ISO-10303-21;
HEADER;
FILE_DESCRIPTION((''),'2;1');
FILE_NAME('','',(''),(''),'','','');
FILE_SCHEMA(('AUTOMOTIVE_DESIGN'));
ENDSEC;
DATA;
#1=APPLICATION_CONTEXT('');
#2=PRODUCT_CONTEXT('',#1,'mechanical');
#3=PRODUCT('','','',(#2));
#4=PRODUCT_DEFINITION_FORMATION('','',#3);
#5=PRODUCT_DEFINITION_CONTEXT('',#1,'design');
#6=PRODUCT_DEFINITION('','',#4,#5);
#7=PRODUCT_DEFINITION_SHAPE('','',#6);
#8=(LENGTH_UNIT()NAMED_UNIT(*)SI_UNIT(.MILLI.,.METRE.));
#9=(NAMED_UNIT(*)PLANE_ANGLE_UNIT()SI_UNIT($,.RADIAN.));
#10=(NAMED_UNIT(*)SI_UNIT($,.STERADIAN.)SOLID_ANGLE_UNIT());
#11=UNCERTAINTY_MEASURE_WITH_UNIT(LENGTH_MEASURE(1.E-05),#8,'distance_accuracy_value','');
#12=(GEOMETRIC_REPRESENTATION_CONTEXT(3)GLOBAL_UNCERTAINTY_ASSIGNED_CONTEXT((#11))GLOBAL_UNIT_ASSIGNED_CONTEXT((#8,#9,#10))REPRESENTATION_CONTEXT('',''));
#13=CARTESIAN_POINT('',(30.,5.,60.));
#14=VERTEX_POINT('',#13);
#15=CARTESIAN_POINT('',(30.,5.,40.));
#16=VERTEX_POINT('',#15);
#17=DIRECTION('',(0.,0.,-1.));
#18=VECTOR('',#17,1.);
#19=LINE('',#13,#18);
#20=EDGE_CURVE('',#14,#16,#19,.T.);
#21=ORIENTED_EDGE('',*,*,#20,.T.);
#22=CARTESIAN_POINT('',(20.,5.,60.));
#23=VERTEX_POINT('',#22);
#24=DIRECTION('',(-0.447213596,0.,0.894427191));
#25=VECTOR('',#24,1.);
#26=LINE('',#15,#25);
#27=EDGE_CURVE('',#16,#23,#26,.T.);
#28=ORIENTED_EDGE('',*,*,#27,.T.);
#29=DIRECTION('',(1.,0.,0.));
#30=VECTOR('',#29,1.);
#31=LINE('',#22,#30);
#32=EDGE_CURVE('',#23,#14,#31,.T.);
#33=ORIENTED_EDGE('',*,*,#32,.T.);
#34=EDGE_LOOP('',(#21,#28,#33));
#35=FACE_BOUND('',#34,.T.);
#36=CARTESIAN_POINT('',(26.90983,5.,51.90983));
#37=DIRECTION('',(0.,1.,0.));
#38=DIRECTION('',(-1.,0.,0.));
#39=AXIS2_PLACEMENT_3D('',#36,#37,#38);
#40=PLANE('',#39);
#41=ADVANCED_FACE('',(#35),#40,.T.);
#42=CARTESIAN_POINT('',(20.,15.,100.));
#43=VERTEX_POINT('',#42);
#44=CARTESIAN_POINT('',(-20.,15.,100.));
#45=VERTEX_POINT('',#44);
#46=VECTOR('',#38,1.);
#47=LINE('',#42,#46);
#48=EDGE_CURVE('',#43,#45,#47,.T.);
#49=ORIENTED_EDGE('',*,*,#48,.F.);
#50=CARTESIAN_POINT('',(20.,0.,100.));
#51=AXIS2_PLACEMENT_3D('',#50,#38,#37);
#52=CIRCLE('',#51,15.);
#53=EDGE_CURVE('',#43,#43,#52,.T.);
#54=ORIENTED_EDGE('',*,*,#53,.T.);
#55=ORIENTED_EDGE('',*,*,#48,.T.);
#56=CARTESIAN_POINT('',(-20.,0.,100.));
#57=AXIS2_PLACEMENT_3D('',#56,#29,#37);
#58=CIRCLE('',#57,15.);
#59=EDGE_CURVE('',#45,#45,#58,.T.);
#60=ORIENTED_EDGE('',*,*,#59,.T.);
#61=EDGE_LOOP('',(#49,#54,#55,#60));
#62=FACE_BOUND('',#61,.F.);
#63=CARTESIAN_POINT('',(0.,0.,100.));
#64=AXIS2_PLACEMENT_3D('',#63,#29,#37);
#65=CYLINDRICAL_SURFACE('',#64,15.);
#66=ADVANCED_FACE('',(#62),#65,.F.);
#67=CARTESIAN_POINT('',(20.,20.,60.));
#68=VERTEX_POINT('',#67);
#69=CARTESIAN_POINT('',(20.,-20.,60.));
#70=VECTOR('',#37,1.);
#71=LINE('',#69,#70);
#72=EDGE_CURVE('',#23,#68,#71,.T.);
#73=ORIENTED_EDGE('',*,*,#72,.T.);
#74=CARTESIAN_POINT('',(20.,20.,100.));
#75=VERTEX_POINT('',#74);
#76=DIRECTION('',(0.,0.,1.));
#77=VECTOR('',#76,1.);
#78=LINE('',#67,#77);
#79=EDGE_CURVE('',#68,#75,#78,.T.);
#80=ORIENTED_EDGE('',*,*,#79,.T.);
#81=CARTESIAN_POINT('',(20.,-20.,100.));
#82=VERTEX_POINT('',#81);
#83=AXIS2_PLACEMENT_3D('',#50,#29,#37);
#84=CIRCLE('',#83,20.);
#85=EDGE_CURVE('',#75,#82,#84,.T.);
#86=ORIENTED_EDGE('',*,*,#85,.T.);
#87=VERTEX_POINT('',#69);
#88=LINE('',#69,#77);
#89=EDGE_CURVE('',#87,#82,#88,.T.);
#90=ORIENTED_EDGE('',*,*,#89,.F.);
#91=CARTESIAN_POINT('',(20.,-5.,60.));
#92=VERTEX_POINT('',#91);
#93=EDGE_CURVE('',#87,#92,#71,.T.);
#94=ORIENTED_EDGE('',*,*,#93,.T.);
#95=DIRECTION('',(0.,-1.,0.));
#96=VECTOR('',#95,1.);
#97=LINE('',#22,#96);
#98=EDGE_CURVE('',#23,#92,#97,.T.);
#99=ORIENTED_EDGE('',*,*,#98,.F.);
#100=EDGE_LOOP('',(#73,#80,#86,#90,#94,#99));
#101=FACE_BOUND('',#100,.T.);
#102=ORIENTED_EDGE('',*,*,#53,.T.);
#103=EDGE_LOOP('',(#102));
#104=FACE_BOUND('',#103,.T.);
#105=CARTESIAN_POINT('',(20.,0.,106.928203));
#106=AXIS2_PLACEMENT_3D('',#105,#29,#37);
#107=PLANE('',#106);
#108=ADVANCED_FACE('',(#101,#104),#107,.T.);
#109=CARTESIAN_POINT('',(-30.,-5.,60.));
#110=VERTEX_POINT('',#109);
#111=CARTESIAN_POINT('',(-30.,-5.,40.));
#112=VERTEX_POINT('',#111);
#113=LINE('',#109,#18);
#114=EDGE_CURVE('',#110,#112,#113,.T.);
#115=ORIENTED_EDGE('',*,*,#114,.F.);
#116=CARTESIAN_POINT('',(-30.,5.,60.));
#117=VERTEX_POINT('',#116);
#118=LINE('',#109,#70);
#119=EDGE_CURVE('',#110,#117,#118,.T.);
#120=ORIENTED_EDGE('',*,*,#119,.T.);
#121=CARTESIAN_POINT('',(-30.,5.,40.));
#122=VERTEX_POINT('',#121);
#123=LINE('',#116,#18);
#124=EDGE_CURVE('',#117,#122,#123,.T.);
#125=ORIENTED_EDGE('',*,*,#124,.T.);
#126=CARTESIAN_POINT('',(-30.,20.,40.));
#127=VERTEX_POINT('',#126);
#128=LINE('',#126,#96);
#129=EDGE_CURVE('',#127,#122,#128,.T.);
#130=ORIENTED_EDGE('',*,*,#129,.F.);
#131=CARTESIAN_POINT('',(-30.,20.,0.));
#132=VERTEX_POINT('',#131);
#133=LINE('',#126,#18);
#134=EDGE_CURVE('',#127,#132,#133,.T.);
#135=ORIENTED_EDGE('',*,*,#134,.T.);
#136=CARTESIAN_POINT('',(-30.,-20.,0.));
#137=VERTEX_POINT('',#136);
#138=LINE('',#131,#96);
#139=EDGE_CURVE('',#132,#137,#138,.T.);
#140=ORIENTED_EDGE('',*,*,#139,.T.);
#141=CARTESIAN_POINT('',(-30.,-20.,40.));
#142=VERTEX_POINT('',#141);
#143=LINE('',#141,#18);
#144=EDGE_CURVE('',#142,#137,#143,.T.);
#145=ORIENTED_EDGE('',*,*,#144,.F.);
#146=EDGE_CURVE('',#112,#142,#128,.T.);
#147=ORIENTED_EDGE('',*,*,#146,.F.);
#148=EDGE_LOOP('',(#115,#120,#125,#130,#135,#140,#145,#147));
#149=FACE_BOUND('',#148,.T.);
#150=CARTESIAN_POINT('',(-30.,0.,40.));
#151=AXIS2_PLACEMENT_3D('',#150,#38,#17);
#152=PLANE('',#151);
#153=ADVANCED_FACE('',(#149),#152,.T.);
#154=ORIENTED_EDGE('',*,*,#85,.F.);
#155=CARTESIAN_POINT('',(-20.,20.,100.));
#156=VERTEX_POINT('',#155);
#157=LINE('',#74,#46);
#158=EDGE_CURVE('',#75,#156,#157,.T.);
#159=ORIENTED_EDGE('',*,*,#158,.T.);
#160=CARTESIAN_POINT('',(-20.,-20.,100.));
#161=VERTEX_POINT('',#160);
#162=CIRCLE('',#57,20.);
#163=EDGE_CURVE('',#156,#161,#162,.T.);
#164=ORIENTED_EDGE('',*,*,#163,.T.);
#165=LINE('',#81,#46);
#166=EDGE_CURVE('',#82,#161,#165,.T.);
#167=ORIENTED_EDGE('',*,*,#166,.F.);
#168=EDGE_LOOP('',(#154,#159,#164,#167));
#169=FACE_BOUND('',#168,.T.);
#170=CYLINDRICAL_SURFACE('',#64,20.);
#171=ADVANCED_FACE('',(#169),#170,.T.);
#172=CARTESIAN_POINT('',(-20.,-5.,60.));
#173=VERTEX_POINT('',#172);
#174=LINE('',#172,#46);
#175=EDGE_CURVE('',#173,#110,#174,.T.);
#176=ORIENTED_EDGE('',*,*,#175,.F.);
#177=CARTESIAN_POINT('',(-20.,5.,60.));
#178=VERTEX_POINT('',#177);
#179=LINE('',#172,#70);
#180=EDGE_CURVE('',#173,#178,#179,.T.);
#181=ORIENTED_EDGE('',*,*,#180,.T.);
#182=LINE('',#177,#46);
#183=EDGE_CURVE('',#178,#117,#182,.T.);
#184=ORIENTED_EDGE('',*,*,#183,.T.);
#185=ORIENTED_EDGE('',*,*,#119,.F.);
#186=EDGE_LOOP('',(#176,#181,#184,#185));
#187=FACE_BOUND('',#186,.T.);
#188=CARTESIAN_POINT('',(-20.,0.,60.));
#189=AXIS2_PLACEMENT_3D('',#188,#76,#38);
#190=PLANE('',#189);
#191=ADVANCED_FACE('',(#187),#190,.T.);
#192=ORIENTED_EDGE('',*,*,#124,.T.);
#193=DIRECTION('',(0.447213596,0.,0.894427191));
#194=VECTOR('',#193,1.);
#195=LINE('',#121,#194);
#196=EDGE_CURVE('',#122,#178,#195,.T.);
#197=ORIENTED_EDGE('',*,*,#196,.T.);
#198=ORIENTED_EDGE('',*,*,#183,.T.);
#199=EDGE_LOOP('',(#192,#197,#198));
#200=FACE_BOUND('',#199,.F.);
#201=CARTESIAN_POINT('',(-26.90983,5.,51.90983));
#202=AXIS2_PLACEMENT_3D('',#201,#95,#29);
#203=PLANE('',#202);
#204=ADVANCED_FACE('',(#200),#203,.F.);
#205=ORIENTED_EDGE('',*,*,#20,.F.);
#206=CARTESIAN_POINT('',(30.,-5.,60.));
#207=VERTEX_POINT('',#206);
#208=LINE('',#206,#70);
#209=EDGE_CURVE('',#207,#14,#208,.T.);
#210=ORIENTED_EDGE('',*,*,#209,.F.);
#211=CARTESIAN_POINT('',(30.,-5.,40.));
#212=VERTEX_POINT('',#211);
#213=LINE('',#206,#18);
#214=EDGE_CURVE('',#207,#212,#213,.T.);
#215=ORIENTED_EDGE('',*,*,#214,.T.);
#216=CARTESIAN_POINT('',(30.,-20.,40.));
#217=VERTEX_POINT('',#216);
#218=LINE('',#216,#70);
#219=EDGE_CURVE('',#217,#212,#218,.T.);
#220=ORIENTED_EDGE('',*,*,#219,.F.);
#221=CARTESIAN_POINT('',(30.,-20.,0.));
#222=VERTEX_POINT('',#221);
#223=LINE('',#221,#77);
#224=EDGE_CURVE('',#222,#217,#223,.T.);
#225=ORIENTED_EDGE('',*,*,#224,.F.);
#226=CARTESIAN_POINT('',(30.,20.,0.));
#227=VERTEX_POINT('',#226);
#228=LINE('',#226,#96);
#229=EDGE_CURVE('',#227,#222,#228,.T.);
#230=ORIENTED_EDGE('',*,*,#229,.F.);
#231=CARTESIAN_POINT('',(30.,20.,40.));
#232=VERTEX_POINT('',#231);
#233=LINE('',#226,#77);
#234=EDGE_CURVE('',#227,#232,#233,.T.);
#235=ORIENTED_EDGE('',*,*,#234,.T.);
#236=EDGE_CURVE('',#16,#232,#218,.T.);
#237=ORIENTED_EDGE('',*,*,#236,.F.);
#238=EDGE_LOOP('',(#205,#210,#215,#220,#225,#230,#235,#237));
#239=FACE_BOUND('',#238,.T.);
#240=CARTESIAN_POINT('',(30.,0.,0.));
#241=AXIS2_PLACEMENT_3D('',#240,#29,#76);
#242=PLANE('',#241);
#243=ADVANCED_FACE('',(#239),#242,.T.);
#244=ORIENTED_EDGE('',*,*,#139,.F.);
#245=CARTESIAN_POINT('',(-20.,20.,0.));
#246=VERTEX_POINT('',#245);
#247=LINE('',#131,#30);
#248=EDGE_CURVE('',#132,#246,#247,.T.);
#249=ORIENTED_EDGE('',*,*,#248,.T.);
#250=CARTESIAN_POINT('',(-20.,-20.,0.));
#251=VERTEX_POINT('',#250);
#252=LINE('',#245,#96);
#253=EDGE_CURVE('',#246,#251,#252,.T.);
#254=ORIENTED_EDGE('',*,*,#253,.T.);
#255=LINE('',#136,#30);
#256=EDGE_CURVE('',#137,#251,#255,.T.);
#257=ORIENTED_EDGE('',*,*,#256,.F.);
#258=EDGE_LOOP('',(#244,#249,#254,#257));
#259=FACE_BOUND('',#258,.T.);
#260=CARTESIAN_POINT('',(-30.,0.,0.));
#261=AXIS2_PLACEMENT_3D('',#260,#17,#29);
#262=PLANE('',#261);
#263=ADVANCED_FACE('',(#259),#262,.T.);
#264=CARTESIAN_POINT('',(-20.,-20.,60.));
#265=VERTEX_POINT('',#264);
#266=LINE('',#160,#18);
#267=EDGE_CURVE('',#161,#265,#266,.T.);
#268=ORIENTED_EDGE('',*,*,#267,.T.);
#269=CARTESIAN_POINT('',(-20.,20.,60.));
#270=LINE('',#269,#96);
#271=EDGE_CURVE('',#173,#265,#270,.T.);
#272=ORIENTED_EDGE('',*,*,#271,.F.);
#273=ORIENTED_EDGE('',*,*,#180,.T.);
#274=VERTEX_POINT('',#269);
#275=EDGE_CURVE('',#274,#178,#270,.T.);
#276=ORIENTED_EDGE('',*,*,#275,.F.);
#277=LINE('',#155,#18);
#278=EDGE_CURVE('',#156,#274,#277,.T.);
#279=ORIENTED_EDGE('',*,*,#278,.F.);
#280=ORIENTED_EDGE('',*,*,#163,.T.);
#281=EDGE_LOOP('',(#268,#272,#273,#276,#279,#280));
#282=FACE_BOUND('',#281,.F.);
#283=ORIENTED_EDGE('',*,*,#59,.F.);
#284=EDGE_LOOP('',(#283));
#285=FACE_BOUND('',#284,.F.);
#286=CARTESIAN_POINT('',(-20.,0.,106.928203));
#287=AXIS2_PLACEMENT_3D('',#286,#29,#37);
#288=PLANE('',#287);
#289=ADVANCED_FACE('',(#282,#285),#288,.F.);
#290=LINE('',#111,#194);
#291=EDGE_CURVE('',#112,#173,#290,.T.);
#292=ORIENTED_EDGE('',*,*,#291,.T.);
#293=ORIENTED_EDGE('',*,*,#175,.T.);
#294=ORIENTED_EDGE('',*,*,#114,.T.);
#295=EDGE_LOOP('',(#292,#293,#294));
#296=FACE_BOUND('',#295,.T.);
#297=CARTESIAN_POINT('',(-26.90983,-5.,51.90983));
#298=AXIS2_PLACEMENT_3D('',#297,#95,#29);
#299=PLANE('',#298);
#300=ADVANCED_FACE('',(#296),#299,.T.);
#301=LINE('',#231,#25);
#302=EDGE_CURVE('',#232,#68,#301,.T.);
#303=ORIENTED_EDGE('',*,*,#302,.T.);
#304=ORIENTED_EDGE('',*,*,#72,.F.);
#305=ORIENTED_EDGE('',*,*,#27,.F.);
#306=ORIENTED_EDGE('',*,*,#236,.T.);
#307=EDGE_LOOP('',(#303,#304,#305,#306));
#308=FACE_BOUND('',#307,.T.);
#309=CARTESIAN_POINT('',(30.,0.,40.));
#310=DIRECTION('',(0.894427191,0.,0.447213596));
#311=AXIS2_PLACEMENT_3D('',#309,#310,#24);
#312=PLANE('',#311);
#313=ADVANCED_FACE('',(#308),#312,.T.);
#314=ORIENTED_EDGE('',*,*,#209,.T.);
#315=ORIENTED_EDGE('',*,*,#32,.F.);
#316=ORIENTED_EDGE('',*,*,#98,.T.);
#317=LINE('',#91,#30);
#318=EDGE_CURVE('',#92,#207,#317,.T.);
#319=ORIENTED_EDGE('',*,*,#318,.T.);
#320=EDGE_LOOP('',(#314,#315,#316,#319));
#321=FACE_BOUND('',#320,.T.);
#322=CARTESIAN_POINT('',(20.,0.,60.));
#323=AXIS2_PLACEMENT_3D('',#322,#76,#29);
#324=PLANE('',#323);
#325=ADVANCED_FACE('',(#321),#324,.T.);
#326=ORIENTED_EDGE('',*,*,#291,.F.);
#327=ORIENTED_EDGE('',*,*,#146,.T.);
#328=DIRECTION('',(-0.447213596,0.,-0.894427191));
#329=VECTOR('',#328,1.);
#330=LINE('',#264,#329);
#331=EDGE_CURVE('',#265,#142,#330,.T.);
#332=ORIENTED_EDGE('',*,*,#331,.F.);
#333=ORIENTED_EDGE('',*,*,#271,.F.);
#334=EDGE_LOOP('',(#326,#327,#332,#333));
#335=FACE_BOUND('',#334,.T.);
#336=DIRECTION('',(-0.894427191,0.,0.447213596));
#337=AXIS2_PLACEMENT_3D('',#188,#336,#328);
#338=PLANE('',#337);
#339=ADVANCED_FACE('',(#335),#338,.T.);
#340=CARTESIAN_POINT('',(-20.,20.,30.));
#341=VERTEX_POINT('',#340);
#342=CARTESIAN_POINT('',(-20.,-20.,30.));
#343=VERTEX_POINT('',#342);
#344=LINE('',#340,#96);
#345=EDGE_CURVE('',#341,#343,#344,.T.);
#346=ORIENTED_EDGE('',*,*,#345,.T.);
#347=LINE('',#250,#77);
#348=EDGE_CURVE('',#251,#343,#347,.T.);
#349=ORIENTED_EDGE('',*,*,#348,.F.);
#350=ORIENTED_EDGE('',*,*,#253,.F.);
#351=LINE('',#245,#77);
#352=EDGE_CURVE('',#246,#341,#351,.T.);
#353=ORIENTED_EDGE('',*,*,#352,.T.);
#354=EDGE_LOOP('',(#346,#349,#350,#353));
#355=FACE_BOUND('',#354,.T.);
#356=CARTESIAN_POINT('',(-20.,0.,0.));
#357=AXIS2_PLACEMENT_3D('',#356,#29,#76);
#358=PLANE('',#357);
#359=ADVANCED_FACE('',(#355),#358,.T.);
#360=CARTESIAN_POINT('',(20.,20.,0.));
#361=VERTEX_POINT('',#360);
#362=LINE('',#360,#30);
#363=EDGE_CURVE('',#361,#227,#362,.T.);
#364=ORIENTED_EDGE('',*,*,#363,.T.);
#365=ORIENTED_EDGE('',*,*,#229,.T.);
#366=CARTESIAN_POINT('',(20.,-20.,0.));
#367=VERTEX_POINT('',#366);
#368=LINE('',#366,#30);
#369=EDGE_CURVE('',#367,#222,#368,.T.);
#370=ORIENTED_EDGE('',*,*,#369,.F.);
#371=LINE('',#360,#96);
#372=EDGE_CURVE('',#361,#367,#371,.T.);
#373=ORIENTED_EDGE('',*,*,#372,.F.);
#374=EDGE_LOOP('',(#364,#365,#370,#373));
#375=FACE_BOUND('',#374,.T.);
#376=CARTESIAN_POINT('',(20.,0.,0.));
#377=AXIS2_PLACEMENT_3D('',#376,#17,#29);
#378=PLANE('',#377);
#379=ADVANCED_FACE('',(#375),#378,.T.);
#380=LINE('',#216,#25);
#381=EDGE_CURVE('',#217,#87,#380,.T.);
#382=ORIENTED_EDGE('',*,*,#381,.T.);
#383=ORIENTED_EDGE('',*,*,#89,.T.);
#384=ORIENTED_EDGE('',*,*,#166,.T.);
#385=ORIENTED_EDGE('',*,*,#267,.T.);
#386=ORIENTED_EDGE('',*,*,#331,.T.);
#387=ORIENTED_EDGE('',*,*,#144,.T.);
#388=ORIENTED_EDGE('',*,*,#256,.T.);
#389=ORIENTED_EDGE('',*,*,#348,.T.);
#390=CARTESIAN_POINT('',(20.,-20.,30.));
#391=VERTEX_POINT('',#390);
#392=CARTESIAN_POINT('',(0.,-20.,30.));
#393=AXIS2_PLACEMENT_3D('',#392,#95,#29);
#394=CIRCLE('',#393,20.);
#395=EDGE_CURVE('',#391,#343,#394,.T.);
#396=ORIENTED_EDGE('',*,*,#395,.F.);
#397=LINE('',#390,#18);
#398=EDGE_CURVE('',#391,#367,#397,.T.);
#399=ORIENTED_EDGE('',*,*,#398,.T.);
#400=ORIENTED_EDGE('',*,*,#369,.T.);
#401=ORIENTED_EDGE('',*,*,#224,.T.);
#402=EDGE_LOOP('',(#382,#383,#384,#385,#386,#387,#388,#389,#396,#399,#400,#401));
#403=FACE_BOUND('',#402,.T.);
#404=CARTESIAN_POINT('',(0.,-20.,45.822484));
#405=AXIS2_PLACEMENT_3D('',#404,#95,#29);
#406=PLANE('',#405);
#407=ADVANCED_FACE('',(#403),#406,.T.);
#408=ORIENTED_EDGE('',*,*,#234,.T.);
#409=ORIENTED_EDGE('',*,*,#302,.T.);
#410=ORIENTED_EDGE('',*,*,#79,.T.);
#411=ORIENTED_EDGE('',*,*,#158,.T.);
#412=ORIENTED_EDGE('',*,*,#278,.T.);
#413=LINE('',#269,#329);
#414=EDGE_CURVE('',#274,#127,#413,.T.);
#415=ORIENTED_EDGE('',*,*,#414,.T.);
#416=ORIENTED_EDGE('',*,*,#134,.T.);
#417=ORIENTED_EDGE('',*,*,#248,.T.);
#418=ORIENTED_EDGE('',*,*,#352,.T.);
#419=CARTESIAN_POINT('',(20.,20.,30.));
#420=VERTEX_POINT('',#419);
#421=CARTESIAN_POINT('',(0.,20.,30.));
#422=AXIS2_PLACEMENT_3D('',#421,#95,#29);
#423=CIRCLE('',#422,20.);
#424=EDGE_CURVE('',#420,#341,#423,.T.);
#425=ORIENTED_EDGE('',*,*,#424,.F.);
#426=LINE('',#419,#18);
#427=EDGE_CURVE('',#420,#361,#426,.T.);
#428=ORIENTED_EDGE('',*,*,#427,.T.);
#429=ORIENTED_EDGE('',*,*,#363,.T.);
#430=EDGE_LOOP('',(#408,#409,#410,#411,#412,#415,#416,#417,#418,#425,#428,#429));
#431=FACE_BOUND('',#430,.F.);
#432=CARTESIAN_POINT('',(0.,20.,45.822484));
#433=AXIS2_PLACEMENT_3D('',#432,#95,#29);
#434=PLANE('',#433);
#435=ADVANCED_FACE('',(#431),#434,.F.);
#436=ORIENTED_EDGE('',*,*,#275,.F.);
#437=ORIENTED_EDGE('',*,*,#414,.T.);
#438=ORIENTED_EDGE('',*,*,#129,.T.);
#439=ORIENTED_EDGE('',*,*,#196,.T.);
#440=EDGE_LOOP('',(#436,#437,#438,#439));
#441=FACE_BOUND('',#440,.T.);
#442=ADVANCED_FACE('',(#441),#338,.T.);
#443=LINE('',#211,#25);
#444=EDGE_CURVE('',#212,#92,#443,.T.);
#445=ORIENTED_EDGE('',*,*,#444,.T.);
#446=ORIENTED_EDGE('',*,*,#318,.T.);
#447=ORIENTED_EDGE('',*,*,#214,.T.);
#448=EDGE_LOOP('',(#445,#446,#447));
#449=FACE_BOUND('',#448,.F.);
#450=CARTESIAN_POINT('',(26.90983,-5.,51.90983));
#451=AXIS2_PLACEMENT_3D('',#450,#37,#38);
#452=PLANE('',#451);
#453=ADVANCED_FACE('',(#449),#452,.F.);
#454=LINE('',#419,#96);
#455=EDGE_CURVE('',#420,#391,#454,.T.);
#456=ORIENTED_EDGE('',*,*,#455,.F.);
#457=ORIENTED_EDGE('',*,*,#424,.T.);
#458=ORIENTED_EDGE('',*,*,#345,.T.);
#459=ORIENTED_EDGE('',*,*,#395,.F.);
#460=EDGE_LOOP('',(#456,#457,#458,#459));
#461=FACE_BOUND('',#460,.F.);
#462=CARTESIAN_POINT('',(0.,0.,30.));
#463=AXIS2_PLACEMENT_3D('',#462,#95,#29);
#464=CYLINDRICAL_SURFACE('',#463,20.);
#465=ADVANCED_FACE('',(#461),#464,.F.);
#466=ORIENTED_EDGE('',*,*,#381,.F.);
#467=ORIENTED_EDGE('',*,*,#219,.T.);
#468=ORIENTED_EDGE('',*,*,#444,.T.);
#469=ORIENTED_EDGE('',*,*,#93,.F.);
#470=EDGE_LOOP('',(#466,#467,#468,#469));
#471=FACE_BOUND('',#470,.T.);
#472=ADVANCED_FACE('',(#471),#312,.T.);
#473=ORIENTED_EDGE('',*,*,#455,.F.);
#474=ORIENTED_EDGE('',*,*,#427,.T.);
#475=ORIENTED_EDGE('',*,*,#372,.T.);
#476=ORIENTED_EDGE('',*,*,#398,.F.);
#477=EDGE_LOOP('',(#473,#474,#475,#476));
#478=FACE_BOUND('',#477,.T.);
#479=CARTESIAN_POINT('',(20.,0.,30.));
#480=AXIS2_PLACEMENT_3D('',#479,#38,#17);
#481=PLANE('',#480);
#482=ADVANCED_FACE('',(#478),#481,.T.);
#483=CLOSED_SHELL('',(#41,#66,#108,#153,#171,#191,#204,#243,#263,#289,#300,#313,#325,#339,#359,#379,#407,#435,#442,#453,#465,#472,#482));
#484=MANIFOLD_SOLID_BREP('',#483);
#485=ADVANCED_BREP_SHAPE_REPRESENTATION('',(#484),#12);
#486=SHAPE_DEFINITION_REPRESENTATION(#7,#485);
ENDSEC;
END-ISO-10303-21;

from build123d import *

# Parameters (mm, degrees)
PAD_DEPTH         = 20
PAD001_DEPTH      = 20
SKETCH002_R       = 15
POCKET_DEPTH      = 30.001
POCKET_DEPTH_BACK = -30.001
PAD002_DEPTH      = 5


with BuildPart() as part:
    # Sketch → Pad (new body, symmetric)
    with BuildSketch(Plane.XZ):
        with BuildLine():
            Line((20, 100), (-20, 100))
            Line((-20, 100), (-20, 60))
            Line((-20, 60), (-30, 40))
            Line((-30, 40), (-30, 0))
            Line((-30, 0), (-20, 0))
            Line((-20, 0), (-20, 30))
            ThreePointArc((20, 30), (0, 50), (-20, 30))
            Line((20, 30), (20, 0))
            Line((20, 0), (30, 0))
            Line((30, 0), (30, 40))
            Line((30, 40), (20, 60))
            Line((20, 60), (20, 100))
        make_face()
    extrude(amount=PAD_DEPTH, both=True)

    # Sketch001 → Pad001 (join, symmetric)
    with BuildSketch(Plane.YZ):
        with BuildLine():
            ThreePointArc((20, 100), (0, 120), (-20, 100))
            Line((-20, 100), (20, 100))
        make_face()
    extrude(amount=PAD001_DEPTH, both=True)

    # Sketch002 → Pocket (cut, two sides)
    with BuildSketch(Plane.YZ) as pocket_sk:
        with Locations((0, 100)):
            Circle(SKETCH002_R)
    extrude(amount=-POCKET_DEPTH, mode=Mode.SUBTRACT)
    extrude(pocket_sk.sketch, amount=-POCKET_DEPTH_BACK, mode=Mode.SUBTRACT)

    # Sketch003 → Pad002 (join, symmetric)
    with BuildSketch(Plane.XZ):
        Polygon((20, 60), (30, 60), (30, 40), align=None)
        Polygon((-30, 60), (-30, 40), (-20, 60), align=None)
    extrude(amount=PAD002_DEPTH, both=True)


solid = part.part
